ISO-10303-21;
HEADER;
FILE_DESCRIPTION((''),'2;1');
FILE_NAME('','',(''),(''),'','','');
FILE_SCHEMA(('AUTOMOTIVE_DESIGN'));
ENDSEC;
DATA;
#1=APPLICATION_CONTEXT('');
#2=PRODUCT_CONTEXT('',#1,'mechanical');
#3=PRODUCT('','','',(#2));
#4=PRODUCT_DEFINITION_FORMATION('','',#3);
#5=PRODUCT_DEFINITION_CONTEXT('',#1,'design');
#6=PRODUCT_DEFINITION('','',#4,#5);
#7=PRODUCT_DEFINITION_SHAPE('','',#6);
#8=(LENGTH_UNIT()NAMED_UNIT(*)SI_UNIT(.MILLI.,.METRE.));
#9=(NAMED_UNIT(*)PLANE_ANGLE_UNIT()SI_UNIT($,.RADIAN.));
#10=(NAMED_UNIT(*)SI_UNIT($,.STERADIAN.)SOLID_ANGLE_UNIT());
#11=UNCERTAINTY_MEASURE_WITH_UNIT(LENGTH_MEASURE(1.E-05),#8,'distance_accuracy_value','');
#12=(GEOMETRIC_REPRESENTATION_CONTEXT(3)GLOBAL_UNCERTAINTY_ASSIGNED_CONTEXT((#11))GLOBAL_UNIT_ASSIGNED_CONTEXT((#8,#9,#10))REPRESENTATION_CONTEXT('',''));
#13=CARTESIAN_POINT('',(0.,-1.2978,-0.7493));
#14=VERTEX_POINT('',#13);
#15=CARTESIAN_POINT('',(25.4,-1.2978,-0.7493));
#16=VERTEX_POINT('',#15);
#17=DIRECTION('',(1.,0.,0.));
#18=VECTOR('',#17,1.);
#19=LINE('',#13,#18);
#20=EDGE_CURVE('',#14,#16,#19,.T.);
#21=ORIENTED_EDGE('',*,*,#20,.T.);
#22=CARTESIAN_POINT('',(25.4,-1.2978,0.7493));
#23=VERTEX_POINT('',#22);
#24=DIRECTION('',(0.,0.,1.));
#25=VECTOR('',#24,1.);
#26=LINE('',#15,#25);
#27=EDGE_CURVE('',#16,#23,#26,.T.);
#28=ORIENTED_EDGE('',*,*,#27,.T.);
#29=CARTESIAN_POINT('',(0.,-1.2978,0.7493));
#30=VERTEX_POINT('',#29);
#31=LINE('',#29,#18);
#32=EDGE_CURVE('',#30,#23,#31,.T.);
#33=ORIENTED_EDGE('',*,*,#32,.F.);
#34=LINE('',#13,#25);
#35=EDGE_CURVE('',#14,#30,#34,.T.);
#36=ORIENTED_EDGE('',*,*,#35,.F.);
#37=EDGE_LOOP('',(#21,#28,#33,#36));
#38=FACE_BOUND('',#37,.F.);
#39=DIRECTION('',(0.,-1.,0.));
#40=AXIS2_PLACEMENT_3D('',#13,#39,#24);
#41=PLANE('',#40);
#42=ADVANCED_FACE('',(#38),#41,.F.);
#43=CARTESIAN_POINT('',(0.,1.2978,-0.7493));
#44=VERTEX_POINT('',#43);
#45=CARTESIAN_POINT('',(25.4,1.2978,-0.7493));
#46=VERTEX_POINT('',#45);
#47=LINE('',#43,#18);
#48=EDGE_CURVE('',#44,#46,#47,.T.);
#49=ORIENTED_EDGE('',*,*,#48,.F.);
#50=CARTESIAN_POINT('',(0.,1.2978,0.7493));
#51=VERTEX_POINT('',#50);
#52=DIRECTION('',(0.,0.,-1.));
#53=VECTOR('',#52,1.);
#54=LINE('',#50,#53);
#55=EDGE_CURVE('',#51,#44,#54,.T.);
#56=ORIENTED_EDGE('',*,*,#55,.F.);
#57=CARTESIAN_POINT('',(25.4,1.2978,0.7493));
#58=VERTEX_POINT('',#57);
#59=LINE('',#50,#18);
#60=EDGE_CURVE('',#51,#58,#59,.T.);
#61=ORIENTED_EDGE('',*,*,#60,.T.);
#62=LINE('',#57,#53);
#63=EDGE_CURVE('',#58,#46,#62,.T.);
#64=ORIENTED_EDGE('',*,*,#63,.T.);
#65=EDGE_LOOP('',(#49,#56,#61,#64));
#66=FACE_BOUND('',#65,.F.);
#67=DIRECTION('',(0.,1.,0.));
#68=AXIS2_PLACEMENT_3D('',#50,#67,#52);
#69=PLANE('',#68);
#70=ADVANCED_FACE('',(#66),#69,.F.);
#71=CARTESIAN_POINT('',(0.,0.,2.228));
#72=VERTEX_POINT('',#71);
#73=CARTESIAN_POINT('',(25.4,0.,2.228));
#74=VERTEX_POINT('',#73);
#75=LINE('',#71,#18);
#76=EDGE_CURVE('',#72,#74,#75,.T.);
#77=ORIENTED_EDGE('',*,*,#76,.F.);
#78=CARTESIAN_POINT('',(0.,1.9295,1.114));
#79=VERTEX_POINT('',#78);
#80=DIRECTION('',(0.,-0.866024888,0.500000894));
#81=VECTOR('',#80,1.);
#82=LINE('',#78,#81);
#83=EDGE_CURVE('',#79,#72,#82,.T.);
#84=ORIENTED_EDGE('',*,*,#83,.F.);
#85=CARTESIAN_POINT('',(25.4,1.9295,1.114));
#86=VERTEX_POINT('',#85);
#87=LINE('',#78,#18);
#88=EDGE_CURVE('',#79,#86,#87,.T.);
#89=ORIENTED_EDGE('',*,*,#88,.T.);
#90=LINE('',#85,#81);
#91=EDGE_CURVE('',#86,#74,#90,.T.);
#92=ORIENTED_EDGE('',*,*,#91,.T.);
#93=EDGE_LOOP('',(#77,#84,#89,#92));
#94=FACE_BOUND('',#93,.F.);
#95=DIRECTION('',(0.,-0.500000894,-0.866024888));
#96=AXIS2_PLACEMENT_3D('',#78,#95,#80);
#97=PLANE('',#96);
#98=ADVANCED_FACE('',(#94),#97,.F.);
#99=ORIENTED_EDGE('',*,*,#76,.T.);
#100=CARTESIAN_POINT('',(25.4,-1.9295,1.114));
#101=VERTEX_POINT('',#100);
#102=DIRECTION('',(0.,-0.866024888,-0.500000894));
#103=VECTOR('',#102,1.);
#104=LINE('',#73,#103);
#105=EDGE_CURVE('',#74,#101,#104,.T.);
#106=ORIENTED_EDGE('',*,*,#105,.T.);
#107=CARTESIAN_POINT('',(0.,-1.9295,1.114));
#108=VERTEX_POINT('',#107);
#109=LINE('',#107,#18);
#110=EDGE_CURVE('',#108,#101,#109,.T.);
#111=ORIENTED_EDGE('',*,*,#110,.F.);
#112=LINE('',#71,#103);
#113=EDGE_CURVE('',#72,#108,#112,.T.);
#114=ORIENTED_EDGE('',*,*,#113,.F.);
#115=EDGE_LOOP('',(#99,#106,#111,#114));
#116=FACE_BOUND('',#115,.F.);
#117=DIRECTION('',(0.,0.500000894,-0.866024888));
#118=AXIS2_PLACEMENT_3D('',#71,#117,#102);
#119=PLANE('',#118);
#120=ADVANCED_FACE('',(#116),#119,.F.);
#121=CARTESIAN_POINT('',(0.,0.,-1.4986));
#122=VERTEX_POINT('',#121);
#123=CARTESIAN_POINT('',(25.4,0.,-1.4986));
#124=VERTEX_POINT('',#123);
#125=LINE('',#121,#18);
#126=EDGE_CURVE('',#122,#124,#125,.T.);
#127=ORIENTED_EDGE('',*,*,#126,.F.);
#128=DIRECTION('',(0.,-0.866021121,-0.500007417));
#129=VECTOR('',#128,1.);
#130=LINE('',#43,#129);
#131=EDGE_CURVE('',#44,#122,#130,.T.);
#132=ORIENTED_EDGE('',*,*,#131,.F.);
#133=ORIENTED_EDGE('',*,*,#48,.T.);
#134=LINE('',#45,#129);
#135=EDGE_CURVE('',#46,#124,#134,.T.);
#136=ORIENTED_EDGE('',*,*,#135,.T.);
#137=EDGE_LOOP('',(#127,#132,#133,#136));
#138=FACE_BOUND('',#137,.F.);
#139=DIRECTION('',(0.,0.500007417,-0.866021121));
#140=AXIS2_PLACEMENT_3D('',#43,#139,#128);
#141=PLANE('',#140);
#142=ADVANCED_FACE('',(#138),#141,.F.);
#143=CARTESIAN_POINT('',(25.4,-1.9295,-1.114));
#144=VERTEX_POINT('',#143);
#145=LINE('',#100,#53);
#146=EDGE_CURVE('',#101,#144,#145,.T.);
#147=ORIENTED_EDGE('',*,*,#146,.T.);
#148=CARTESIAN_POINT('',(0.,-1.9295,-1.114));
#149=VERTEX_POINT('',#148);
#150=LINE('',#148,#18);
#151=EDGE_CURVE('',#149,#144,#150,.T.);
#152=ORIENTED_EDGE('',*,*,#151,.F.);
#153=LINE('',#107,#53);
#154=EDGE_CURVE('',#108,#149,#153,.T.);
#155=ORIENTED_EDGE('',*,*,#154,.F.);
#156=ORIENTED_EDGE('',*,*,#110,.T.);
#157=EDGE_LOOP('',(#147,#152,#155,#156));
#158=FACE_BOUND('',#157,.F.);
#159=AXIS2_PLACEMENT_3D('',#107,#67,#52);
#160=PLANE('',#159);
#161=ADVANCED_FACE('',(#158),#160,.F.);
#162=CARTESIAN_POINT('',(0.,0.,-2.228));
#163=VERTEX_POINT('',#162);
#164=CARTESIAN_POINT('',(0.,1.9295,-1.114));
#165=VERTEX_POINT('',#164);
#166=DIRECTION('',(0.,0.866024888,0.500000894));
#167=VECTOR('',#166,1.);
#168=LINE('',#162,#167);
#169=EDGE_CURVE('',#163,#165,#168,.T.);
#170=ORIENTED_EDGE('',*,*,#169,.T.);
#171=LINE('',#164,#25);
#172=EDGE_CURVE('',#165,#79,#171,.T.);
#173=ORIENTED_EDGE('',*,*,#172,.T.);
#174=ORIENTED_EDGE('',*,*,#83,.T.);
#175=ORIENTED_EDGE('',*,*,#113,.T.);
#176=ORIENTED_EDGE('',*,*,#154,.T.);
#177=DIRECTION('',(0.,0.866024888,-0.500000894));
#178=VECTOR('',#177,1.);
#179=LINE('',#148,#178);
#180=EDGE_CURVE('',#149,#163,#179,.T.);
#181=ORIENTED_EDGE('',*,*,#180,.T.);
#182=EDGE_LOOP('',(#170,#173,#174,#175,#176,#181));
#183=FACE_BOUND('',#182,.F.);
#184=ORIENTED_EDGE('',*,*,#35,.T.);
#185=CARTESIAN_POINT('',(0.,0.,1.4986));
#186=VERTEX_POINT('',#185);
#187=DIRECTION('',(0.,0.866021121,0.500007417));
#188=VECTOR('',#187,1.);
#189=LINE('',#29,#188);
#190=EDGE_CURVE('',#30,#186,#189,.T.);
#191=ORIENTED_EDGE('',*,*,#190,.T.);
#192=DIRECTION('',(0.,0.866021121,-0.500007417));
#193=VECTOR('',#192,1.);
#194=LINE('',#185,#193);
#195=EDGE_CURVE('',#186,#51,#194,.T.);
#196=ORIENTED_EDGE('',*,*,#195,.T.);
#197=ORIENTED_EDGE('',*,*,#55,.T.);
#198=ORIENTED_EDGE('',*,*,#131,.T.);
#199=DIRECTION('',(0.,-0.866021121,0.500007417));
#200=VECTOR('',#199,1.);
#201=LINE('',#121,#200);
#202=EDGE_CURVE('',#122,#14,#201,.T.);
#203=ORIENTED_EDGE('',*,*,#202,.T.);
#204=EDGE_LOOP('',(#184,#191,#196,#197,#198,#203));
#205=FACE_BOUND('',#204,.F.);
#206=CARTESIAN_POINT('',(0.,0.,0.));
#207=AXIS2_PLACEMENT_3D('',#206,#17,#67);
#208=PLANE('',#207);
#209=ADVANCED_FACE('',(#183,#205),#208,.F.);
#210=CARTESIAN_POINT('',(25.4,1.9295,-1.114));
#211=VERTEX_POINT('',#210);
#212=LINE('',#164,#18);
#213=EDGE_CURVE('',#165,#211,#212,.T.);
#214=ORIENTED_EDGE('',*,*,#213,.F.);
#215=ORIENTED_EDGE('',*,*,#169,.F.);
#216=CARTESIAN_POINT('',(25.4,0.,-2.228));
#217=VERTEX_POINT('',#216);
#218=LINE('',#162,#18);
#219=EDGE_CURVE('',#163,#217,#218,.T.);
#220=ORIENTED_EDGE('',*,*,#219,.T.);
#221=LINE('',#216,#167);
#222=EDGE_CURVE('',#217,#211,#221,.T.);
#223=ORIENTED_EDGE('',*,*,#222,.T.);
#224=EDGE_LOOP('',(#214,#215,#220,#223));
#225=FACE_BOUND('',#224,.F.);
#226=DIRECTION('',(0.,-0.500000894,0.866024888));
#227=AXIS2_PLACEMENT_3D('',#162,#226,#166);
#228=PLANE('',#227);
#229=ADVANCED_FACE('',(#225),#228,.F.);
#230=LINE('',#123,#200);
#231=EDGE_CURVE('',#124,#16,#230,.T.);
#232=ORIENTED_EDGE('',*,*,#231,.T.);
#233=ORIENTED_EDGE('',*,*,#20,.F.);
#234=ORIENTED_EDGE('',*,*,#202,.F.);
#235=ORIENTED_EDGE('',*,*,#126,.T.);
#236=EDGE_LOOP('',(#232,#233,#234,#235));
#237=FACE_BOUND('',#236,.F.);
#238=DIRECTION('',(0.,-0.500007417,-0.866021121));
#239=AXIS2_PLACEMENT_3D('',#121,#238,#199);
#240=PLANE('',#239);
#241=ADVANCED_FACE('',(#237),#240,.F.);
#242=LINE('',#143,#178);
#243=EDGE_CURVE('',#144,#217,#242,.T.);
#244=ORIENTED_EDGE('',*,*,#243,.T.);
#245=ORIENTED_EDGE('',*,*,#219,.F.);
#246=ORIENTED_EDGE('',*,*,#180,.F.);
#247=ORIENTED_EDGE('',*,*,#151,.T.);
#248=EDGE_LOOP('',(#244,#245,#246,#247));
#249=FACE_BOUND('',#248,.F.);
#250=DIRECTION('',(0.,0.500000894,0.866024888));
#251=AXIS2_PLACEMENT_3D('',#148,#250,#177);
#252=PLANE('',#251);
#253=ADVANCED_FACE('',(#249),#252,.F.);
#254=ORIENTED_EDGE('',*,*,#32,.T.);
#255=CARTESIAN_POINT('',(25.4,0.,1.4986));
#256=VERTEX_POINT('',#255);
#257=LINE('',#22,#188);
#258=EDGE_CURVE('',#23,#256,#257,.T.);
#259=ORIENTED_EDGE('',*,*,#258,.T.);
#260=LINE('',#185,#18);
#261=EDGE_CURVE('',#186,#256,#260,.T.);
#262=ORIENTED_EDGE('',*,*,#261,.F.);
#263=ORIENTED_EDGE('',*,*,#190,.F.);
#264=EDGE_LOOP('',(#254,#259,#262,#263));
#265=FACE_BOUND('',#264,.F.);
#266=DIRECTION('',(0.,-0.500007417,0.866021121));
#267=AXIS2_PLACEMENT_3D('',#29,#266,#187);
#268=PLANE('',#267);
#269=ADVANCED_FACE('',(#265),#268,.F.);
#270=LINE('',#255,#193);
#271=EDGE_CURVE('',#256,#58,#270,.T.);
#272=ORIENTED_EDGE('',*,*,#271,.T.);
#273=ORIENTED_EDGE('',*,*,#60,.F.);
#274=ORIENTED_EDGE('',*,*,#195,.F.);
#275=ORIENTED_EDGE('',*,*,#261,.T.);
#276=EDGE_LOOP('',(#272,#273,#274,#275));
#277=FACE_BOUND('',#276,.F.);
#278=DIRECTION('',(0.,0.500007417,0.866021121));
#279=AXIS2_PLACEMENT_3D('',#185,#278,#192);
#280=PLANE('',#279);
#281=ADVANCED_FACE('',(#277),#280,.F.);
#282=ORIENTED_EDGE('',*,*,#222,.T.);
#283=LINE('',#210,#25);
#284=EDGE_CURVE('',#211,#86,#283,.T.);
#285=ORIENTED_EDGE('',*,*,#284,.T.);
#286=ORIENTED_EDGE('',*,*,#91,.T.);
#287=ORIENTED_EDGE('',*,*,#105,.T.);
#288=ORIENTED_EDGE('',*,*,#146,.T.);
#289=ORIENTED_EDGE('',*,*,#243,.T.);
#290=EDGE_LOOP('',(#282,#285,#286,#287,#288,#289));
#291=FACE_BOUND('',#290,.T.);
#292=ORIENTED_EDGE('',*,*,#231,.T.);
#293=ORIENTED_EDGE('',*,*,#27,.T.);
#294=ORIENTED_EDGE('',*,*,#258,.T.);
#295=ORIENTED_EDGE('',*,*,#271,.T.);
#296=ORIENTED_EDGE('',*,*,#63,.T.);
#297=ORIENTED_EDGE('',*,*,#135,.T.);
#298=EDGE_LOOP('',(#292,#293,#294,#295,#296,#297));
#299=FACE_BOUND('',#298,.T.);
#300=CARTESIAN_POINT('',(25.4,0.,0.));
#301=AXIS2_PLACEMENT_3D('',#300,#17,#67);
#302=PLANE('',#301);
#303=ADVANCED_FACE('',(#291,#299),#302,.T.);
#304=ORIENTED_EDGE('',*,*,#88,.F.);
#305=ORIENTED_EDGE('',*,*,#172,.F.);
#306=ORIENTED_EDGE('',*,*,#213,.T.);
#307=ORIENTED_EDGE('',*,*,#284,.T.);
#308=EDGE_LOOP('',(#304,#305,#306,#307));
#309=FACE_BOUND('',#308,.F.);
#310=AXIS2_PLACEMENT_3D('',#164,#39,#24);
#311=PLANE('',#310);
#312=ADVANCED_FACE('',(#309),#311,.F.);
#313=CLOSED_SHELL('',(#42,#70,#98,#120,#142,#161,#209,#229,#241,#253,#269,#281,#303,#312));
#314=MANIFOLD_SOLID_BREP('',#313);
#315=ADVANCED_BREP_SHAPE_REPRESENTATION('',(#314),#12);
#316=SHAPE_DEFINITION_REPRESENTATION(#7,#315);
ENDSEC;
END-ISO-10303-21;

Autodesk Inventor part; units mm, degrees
ref_plane "YZ Plane" through (0, 0, 0) normal (1, 0, 0) x (0, 1, 0)
ref_plane "XZ Plane" through (0, 0, 0) normal (0, 1, 0) x (-1, 0, 0)
ref_plane "XY Plane" through (0, 0, 0) normal (0, 0, 1) x (1, 0, 0)
sketch "Sketch1" plane through (0, 0, 0) normal (1, 0, 0) x (0, 1, 0)
  line L0 (0, -1.4986) -> (-1.2978, -0.7493)
  line L1 (-1.2978, -0.7493) -> (-1.2978, 0.7493)
  line L2 (-1.2978, 0.7493) -> (0, 1.4986)
  line L3 (0, 1.4986) -> (1.2978, 0.7493)
  line L4 (1.2978, 0.7493) -> (1.2978, -0.7493)
  line L5 (1.2978, -0.7493) -> (0, -1.4986)
  line L6 (1.9295, -1.114) -> (1.9295, 1.114)
  line L7 (1.9295, 1.114) -> (0, 2.228)
  line L8 (0, 2.228) -> (-1.9295, 1.114)
  line L9 (-1.9295, 1.114) -> (-1.9295, -1.114)
  line L10 (-1.9295, -1.114) -> (0, -2.228)
  line L11 (0, -2.228) -> (1.9295, -1.114)
  point P0 (0, 0)
  point P1 (0, 0)
  dimension "d0" = 1.4986
extrude "Extrusion1" add sketch "Sketch1" along normal blind 25.4
properties part number "Metal Fastener"
